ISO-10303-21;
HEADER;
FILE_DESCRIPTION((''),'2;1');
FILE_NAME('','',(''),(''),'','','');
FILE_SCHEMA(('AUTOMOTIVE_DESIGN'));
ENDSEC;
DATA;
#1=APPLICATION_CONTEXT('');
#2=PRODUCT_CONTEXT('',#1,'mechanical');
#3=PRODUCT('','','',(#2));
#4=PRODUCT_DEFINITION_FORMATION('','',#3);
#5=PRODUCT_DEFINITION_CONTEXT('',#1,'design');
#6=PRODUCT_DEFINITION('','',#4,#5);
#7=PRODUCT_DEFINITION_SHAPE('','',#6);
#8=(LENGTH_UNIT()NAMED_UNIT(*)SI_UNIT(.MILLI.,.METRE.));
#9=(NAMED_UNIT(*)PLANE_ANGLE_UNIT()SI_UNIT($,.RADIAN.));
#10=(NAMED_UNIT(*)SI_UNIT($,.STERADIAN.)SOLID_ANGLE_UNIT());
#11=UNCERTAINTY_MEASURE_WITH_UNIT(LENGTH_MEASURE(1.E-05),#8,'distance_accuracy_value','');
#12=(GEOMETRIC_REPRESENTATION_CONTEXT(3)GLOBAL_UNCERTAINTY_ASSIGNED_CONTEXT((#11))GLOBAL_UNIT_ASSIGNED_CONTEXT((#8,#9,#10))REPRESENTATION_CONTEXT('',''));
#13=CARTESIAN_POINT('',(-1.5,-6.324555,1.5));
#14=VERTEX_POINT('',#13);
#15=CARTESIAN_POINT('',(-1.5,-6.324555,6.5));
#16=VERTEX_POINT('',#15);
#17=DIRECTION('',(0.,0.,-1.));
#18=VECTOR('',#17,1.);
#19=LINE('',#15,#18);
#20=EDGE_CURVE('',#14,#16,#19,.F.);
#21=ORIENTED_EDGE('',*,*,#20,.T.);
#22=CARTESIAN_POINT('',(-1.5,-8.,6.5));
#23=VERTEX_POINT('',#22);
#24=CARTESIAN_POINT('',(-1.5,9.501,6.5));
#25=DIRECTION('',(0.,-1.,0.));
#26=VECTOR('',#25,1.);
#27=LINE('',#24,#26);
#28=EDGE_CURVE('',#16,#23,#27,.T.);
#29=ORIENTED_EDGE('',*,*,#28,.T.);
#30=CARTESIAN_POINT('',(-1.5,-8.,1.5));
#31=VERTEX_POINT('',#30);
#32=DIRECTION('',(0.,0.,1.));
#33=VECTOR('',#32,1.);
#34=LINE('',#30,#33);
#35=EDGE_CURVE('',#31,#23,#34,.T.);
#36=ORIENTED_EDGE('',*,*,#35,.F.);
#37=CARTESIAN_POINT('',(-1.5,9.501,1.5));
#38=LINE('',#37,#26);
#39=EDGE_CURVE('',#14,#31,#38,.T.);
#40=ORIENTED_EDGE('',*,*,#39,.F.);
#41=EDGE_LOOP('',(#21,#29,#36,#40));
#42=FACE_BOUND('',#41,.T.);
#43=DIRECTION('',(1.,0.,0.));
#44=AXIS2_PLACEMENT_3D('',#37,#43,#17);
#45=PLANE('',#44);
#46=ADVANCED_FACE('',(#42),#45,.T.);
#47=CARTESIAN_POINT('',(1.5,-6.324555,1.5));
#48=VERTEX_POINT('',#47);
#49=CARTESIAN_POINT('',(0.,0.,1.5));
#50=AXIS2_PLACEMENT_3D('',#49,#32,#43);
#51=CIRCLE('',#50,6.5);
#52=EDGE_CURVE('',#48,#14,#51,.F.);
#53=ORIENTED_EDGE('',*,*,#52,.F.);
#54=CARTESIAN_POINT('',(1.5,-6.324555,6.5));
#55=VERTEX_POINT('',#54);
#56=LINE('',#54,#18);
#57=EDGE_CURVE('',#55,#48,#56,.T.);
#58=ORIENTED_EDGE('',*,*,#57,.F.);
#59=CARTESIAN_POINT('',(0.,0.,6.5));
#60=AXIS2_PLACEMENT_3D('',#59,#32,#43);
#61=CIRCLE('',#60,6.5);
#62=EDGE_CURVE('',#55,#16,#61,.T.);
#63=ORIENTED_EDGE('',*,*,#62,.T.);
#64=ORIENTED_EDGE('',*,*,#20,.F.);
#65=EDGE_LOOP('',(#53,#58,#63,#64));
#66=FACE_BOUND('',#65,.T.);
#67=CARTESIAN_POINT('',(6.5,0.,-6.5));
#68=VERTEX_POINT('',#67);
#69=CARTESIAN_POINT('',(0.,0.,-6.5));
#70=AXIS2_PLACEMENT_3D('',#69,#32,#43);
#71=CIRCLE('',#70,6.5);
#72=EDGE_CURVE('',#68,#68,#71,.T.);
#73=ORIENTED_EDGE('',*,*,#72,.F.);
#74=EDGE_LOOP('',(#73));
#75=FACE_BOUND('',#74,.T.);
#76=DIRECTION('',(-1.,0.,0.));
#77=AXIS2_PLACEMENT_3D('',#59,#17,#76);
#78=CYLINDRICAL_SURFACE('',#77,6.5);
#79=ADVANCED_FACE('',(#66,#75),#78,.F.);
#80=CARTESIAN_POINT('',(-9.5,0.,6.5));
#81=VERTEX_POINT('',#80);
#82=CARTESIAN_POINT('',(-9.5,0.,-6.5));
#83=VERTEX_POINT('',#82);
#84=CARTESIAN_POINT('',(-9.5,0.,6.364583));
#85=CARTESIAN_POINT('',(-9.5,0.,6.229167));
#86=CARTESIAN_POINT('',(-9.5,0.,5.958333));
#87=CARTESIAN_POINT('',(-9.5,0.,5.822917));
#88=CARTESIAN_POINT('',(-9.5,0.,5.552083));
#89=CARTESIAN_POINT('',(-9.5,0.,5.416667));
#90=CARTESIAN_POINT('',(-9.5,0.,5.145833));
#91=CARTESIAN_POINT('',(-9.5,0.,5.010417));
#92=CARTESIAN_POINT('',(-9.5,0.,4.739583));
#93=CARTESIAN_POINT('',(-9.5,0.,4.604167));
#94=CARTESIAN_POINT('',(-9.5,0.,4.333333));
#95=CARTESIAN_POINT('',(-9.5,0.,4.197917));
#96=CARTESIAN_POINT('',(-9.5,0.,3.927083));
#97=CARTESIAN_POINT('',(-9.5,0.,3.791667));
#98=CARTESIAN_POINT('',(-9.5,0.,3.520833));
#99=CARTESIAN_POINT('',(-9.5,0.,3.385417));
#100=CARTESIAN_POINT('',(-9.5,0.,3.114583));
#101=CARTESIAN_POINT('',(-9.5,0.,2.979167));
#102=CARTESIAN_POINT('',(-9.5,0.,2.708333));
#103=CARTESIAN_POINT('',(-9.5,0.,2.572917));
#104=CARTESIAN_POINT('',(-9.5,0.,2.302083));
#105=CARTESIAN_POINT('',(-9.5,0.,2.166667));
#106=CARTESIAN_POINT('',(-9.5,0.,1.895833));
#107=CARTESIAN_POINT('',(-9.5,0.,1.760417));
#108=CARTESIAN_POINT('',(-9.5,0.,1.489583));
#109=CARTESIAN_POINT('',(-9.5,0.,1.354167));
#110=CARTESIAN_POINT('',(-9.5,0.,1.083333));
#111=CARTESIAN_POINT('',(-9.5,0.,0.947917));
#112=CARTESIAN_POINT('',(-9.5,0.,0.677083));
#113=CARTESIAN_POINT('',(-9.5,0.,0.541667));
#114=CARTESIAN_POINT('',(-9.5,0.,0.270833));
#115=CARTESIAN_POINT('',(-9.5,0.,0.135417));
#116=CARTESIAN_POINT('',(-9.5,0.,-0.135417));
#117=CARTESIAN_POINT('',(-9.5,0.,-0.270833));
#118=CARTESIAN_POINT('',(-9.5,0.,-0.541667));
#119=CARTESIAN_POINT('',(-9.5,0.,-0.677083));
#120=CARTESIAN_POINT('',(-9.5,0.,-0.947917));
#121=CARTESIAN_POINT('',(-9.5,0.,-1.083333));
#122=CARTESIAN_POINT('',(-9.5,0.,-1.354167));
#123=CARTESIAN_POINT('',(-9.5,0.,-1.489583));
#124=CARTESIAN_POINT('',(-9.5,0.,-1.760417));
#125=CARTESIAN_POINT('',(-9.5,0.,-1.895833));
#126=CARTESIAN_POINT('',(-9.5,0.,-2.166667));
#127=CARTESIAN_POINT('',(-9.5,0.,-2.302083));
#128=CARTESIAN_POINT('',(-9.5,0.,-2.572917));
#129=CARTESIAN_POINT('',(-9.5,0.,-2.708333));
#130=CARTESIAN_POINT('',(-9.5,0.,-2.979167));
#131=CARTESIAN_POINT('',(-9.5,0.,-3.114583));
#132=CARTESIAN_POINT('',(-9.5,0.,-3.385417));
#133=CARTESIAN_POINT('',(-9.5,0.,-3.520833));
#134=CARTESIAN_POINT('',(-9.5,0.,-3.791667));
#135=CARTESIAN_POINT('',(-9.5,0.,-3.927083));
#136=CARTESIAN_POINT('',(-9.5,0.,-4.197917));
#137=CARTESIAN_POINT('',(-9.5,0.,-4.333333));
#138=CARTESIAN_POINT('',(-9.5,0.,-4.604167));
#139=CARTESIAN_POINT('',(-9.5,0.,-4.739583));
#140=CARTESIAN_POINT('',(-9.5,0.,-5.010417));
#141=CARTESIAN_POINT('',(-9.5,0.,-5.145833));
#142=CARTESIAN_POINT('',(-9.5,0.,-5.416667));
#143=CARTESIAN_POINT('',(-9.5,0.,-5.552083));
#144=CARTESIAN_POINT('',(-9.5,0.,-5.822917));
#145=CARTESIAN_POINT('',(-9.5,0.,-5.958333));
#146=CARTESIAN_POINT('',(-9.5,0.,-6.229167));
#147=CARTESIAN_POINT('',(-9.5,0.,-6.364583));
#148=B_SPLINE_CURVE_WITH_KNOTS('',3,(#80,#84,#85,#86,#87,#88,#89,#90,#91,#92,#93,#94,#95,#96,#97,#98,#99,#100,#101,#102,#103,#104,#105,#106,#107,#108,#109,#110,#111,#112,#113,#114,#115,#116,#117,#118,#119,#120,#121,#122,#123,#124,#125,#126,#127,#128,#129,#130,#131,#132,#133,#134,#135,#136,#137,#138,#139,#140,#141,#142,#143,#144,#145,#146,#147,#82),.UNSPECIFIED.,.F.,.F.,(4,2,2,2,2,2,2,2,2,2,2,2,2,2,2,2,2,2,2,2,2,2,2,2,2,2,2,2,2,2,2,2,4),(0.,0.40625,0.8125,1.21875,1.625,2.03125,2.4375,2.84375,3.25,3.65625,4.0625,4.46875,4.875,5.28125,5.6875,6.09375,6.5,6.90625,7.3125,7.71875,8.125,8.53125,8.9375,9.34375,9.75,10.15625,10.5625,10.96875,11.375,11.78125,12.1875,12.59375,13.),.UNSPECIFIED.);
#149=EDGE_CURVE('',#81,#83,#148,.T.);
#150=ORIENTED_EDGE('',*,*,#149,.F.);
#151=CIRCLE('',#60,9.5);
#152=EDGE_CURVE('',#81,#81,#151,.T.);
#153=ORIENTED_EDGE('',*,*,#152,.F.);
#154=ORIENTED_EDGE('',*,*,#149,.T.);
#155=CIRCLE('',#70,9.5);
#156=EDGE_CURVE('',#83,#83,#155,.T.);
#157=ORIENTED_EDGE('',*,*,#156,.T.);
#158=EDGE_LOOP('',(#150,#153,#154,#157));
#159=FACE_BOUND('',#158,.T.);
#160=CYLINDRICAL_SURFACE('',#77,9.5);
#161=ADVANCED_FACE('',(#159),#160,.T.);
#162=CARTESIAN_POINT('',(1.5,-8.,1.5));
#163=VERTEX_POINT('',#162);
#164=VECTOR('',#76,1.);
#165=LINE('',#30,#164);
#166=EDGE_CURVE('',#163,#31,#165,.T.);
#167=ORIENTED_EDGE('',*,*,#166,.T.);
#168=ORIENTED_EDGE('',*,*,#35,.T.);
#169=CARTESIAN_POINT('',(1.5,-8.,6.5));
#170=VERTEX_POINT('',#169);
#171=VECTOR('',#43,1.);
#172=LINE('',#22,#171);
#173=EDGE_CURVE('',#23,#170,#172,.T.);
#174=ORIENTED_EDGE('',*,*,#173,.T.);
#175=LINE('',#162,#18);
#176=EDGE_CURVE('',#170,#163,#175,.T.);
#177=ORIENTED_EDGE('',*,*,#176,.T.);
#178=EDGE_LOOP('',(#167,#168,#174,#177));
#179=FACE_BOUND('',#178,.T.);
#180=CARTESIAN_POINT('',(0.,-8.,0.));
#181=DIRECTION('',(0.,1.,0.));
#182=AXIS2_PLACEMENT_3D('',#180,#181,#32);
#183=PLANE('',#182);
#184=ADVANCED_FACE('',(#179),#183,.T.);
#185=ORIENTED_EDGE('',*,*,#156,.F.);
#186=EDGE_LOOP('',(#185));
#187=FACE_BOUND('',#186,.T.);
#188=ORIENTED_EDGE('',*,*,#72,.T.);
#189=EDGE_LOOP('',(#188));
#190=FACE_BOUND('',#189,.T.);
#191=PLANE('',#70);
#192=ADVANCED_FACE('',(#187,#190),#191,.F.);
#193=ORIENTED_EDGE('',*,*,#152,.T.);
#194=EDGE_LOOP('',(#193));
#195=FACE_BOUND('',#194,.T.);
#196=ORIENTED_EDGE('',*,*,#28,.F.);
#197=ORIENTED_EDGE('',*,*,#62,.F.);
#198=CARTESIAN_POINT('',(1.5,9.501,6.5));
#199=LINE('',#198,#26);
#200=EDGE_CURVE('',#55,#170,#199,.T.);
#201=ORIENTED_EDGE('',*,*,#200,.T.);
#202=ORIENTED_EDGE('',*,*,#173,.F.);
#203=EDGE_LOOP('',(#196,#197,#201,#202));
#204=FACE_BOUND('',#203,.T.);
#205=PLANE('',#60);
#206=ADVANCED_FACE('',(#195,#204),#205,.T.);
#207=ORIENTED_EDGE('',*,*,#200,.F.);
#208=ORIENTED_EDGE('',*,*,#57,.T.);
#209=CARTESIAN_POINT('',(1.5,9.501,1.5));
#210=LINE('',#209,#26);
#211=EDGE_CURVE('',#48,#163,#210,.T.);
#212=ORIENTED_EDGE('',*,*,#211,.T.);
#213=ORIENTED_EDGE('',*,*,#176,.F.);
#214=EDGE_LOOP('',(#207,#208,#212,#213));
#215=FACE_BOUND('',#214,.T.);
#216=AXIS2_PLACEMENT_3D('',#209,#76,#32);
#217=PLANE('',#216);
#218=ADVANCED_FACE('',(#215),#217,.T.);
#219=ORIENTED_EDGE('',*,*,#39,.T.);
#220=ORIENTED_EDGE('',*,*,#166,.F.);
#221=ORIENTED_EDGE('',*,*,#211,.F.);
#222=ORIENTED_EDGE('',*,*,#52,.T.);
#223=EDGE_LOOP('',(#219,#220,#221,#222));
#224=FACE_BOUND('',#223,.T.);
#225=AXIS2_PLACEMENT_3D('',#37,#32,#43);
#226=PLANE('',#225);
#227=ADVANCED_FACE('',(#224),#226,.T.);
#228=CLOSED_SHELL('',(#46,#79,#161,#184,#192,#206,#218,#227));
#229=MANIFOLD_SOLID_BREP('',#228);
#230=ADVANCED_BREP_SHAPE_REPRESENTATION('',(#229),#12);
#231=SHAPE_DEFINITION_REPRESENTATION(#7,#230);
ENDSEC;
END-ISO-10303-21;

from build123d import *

# Parameters (mm, degrees)
SKETCH1_R               = 9.5
SKETCH1_R_2             = 6.5
BOSS_EXTRUDE1_DEPTH     = 6.5
CUT_EXTRUDE1_REACH      = 24.925
CUT_EXTRUDE1_END_RADIUS = 6.5
CUT_EXTRUDE1_START      = -8
SKETCH2_W               = 3
SKETCH2_H               = 5


with BuildPart() as part:
    # Sketch1 → Boss-Extrude1 (new, symmetric)
    with BuildSketch(Plane.XY):
        with Locations(Location((0, 0, 0), (0, 0, 180))):
            Circle(SKETCH1_R)
        with Locations(Location((0, 0, 0), (0, 0, 180))):
            Circle(SKETCH1_R_2, mode=Mode.SUBTRACT)
    extrude(amount=BOSS_EXTRUDE1_DEPTH, both=True)

    # Cut-Extrude1: up to this cylinder (the profile starts outside it)
    cut_extrude1_end = Plane(origin=(0, 0, 4), z_dir=(0, 0, -1)) * Cylinder(CUT_EXTRUDE1_END_RADIUS, 63.85, mode=Mode.PRIVATE)
    # Sketch2 → Cut-Extrude1 (cut, up to the surface)
    with BuildSketch(Plane(origin=(0, 0, 0), x_dir=(1, 0, 0), z_dir=(0, 1, 0)).offset(CUT_EXTRUDE1_START), mode=Mode.PRIVATE) as cut_extrude1_sk1:
        with Locations((0, -4)):
            Rectangle(SKETCH2_W, SKETCH2_H)
    cut_extrude1_tool1 = extrude(cut_extrude1_sk1.sketch, amount=CUT_EXTRUDE1_REACH, mode=Mode.PRIVATE) - cut_extrude1_end
    add(cut_extrude1_tool1.solids().sort_by_distance((0, -8, 4))[0], mode=Mode.SUBTRACT)


solid = part.part
